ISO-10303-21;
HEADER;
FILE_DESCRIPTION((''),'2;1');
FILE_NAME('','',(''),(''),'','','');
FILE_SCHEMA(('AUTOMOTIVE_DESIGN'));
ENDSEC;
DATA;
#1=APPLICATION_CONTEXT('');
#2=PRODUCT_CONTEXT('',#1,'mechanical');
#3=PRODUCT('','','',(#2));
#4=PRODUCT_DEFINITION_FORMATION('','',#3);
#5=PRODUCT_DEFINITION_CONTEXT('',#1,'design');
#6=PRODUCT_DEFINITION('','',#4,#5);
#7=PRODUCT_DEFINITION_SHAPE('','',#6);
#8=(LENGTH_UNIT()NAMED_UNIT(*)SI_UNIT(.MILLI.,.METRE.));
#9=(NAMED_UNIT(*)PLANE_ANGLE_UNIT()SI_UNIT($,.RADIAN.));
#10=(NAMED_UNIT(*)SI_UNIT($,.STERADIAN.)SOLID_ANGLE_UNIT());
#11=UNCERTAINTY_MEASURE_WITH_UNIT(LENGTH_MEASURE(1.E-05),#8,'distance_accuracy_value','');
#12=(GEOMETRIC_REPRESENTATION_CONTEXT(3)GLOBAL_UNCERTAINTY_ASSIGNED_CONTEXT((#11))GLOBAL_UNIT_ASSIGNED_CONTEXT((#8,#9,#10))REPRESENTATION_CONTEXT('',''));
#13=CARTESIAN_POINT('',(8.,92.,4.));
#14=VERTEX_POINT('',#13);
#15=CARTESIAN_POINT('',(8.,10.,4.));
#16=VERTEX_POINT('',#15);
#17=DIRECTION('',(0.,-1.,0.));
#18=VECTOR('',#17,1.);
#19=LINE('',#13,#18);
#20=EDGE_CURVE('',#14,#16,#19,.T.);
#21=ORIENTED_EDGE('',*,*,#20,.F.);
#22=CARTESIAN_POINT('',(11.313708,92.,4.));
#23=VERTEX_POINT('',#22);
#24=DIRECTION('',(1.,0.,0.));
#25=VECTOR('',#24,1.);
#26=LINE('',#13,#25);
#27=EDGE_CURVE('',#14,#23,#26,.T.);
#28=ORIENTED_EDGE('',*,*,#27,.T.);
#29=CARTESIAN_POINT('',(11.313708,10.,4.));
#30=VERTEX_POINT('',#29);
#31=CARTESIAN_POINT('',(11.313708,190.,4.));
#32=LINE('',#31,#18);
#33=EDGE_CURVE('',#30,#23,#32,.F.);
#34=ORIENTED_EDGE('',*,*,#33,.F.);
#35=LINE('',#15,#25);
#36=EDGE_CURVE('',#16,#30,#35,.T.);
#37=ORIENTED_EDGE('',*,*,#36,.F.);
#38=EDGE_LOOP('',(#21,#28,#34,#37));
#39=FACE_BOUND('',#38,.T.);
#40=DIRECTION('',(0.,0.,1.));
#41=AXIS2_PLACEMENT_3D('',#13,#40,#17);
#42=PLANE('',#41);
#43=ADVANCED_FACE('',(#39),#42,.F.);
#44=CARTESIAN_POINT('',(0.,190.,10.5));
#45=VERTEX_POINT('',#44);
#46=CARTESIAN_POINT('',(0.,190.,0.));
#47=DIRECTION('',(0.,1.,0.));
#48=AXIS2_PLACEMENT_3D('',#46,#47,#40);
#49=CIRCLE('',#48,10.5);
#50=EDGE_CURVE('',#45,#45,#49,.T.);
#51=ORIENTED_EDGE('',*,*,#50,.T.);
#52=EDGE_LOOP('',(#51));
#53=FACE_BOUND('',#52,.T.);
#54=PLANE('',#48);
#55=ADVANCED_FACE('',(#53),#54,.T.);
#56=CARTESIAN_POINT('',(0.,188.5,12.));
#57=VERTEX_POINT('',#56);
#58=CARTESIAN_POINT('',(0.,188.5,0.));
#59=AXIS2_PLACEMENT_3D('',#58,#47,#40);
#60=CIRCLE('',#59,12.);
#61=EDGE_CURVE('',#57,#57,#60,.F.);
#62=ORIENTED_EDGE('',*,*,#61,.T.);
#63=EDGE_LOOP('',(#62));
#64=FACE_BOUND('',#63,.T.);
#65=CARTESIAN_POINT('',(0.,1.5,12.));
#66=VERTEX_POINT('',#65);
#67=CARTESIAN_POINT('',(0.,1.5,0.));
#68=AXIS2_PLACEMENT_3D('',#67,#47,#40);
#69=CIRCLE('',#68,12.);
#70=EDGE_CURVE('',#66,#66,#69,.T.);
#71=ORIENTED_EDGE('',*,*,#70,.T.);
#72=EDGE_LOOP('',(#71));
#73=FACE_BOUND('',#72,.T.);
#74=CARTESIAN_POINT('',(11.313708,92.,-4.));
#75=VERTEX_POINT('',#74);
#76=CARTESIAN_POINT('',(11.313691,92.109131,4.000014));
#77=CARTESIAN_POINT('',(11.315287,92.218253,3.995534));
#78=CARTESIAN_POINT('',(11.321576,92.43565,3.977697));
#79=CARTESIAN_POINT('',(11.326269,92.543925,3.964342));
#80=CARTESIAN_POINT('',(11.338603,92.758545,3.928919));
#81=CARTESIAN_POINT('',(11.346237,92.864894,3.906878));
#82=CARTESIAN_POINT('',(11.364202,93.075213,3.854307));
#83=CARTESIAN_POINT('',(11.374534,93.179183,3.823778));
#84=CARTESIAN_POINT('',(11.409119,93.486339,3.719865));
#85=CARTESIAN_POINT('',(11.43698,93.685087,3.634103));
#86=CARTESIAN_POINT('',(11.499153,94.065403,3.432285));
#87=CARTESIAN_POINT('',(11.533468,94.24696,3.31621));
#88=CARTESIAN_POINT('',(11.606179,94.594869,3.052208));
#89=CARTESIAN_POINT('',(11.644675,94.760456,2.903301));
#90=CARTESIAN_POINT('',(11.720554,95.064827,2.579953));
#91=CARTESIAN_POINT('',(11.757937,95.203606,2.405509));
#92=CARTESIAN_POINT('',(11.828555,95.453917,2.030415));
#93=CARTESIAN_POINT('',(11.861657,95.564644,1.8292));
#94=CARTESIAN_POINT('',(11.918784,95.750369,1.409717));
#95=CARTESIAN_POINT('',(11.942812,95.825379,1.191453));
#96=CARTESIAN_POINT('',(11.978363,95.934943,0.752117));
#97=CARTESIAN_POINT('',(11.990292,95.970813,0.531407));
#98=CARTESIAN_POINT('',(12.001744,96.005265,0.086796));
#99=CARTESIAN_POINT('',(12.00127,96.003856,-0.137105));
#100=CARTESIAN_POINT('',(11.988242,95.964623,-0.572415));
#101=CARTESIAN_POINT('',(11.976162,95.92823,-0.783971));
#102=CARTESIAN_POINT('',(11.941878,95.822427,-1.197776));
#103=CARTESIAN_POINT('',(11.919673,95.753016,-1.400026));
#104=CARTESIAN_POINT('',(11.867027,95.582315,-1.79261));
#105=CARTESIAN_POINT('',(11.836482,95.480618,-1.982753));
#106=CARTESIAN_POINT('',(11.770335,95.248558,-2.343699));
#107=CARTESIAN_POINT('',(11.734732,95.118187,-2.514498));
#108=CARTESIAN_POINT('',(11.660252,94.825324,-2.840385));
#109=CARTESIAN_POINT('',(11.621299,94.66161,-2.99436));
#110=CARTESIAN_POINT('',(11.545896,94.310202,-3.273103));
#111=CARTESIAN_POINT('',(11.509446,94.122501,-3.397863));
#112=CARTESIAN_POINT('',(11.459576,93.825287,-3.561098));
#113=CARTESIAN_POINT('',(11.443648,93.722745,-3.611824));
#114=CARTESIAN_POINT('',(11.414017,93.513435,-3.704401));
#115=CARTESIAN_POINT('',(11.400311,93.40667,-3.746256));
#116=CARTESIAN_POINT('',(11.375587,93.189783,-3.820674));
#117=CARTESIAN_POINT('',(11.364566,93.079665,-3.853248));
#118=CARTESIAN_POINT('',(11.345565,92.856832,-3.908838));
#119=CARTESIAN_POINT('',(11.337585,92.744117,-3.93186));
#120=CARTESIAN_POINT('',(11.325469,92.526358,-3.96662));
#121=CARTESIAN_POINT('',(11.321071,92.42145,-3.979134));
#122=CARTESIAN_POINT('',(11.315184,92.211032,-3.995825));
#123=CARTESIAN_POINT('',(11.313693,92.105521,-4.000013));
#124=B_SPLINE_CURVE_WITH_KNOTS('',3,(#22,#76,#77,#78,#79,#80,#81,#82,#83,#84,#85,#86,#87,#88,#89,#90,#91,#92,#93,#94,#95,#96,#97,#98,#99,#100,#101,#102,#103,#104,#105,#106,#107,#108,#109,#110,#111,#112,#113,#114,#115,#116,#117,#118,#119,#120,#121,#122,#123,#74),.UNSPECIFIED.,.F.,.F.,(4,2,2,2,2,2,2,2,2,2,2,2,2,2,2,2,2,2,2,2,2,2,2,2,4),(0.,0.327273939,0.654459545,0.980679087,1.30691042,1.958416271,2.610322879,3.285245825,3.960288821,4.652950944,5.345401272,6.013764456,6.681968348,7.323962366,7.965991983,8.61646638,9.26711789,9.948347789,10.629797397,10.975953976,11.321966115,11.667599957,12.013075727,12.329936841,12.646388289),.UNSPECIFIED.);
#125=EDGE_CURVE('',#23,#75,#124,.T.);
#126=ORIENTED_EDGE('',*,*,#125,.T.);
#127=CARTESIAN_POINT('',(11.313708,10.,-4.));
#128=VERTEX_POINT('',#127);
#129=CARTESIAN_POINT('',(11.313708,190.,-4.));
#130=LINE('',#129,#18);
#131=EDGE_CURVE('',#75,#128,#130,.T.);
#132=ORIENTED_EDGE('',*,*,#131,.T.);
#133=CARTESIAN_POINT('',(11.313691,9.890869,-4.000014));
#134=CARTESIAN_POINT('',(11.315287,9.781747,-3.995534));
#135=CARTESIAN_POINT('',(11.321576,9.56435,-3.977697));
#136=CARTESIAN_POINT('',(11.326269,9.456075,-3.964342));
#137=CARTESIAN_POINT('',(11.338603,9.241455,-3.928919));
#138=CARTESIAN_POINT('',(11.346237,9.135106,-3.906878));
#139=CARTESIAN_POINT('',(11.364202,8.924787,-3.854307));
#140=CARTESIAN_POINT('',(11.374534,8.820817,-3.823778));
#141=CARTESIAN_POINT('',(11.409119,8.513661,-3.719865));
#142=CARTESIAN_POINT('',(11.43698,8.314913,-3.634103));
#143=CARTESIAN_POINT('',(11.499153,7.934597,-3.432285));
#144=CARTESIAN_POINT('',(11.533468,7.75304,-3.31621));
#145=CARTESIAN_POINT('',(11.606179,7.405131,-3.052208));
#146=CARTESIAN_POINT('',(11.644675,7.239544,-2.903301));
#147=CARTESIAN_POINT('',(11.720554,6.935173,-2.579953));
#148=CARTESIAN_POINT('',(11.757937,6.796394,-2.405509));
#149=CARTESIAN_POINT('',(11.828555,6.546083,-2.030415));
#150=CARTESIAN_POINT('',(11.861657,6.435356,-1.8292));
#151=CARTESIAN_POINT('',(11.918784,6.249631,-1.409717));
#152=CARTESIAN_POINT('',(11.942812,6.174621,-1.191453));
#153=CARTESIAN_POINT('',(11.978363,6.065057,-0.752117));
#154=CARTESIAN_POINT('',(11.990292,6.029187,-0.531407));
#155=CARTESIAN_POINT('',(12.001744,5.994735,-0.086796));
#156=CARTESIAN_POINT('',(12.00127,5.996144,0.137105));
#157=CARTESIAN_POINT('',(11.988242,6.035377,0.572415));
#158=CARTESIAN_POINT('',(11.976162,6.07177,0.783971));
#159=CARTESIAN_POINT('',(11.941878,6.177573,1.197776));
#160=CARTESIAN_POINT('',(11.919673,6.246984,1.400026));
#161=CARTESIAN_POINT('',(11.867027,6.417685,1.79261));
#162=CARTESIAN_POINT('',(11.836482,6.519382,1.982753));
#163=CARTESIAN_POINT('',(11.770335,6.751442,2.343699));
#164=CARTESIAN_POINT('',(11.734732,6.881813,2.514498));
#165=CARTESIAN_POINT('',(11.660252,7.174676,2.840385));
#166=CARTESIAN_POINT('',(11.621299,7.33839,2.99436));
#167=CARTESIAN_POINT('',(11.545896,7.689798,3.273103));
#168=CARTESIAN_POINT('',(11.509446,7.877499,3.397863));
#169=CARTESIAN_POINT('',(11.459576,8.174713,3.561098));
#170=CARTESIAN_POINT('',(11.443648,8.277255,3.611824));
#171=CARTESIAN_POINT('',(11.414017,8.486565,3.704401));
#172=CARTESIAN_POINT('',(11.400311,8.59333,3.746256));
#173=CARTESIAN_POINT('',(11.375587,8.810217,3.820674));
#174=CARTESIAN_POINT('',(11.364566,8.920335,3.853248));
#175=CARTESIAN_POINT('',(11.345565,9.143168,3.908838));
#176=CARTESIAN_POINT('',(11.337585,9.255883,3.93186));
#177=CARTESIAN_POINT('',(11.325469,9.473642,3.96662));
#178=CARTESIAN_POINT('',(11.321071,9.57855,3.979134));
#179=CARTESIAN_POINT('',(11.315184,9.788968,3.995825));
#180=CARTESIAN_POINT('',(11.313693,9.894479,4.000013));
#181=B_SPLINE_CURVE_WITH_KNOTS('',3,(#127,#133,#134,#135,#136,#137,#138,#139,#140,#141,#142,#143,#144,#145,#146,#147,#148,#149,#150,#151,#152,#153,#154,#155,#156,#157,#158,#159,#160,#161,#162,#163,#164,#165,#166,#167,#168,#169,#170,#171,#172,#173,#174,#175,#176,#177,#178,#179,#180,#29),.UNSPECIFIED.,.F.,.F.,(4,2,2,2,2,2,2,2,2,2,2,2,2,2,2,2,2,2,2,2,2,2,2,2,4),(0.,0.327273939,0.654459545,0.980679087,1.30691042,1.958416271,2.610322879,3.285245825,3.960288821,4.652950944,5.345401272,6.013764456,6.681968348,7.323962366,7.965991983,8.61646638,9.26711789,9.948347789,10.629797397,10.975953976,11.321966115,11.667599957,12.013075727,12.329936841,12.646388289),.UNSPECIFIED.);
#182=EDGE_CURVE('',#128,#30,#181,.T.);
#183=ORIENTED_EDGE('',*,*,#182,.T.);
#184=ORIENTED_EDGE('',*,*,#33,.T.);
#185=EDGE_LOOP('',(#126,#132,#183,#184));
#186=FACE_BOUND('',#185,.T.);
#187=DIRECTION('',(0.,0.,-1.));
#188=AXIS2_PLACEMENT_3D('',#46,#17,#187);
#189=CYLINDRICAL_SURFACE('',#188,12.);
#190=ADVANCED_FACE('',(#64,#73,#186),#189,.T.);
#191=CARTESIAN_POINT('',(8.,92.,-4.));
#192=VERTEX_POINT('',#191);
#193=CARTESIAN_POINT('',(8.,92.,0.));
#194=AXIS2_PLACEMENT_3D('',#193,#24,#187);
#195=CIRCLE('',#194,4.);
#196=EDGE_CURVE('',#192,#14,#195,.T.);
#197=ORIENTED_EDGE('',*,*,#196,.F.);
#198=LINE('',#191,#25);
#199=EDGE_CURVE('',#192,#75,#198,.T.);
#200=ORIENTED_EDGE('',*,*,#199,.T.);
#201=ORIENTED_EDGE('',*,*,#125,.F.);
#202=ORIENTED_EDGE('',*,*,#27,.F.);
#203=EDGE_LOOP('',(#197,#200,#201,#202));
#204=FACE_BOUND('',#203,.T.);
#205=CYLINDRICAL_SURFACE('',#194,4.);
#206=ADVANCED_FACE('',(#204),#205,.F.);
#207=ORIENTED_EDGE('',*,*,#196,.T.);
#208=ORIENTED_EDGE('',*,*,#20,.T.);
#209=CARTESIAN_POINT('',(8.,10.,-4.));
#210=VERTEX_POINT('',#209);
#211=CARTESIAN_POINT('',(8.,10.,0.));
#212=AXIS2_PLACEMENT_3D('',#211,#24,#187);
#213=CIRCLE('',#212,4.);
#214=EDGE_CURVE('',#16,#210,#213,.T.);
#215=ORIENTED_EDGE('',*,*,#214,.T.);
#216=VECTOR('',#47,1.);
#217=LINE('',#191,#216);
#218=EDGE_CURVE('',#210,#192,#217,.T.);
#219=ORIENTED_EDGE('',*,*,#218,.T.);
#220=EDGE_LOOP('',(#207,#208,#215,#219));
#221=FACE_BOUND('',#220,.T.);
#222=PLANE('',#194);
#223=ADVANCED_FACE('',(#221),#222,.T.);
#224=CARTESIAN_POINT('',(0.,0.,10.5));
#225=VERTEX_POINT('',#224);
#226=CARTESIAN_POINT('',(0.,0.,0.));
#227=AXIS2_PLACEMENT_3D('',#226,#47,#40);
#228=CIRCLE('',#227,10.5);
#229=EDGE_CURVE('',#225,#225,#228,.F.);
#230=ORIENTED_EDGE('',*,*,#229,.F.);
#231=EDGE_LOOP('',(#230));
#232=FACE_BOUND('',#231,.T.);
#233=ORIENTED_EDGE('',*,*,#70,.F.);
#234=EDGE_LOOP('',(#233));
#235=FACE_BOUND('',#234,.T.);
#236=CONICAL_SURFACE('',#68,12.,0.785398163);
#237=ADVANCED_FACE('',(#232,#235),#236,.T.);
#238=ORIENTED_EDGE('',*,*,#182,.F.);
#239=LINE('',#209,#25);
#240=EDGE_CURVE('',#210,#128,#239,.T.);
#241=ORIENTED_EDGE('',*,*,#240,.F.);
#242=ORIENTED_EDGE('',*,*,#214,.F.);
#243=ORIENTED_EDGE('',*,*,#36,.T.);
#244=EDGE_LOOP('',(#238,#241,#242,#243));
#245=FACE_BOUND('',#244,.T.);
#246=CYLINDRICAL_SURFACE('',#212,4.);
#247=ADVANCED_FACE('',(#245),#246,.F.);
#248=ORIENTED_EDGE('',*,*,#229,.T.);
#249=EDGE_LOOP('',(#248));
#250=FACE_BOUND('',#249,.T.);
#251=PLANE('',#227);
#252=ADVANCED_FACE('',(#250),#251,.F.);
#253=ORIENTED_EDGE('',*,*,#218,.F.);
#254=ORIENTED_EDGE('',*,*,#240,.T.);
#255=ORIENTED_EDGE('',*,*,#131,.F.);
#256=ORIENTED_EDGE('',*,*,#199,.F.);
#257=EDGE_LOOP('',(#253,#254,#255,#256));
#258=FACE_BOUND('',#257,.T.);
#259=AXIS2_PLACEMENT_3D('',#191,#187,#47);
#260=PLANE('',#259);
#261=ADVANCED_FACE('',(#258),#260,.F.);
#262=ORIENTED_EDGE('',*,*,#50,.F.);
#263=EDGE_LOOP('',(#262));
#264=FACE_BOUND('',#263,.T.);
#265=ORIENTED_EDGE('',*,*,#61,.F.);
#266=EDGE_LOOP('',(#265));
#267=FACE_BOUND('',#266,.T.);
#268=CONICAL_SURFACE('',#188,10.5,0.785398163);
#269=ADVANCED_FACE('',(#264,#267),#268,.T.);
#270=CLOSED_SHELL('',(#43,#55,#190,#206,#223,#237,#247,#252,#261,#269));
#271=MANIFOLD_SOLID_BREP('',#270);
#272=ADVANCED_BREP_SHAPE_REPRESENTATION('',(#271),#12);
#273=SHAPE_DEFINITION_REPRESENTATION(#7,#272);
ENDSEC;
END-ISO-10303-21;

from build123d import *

# Parameters (mm, degrees)
SKETCH1_R           = 12
BOSS_EXTRUDE1_DEPTH = 190
CUT_EXTRUDE1_DEPTH  = 4
CHAMFER1_SIZE       = 1.5


with BuildPart() as part:
    # Sketch1 → Boss-Extrude1 (new body)
    with BuildSketch(Plane(origin=(0, 0, 0), x_dir=(1, 0, 0), z_dir=(0, 1, 0))):
        Circle(SKETCH1_R)
    extrude(amount=BOSS_EXTRUDE1_DEPTH)

    # Sketch2 → Cut-Extrude1 (cut)
    with BuildSketch(Plane(origin=(12, 0, 0), x_dir=(0, 0, -1), z_dir=(1, 0, 0))):
        with BuildLine():
            Line((4, 92), (4, 10))
            ThreePointArc((4, 10), (0, 6), (-4, 10))
            Line((-4, 10), (-4, 92))
            ThreePointArc((-4, 92), (0, 96), (4, 92))
        make_face()
    extrude(amount=-CUT_EXTRUDE1_DEPTH, mode=Mode.SUBTRACT)

    # Chamfer1
    chamfer1_edges = [part.edges().sort_by_distance(p)[0] for p in [
        (-12, 0, 0),
        (-12, 190, 0),
    ]]
    chamfer(chamfer1_edges, length=CHAMFER1_SIZE)


solid = part.part
